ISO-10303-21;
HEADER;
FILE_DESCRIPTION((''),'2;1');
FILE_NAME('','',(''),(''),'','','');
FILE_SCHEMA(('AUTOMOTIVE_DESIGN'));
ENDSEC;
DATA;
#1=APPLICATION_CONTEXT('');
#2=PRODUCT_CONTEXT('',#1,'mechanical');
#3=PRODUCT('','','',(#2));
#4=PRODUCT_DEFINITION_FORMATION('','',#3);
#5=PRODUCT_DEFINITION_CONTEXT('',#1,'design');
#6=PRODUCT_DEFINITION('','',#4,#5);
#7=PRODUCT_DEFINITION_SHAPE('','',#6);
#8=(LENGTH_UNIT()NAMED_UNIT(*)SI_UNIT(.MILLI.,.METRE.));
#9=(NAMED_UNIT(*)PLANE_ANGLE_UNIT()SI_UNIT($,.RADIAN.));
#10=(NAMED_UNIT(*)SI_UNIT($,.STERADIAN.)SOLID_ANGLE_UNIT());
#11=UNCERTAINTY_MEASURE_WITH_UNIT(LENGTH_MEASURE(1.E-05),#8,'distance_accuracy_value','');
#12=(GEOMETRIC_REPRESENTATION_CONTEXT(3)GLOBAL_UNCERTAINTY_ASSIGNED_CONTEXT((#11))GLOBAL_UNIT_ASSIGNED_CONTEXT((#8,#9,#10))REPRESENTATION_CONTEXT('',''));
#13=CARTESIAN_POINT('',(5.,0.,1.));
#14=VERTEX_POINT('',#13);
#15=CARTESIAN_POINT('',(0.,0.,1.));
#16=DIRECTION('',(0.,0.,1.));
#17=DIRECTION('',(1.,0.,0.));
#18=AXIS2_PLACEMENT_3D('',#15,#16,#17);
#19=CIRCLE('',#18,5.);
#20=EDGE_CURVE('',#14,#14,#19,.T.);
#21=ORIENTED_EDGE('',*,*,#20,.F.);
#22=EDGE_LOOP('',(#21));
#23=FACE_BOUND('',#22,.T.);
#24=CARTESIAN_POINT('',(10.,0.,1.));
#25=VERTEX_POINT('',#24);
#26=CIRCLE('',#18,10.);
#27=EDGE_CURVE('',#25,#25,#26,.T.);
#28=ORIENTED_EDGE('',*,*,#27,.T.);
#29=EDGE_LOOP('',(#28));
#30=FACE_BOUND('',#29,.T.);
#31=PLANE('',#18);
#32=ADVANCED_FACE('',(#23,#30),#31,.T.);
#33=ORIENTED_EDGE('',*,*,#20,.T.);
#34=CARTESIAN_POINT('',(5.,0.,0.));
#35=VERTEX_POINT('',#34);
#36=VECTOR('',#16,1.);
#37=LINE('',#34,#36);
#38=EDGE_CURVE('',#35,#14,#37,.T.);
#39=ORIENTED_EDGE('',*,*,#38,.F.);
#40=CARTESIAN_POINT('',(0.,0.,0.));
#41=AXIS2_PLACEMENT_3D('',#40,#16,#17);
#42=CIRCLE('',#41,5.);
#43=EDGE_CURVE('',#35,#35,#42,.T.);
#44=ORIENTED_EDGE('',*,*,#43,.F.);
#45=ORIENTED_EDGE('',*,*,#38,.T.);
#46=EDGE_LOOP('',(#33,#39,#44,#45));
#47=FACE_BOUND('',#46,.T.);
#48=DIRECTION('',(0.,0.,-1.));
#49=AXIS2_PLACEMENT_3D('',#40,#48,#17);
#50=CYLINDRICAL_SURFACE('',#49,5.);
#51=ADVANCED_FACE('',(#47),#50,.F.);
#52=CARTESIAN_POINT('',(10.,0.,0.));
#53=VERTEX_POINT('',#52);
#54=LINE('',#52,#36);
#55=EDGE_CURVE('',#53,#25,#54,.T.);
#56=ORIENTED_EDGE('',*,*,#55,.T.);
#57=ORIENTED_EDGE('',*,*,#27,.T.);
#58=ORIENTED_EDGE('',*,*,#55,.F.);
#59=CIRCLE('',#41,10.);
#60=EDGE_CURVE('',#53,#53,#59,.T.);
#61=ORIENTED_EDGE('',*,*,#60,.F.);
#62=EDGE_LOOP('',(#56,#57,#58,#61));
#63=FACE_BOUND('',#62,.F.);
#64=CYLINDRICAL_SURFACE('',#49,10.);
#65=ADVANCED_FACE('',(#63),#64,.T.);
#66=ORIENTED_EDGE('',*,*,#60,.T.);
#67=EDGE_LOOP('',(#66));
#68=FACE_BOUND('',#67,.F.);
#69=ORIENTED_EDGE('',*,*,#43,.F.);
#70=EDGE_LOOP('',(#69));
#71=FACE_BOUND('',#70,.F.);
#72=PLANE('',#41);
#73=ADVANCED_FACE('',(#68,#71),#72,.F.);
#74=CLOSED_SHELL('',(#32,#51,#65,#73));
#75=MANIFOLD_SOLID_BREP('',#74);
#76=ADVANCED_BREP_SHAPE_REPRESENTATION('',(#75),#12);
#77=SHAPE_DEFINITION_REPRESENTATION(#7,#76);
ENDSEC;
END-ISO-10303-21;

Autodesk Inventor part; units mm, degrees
ref_plane "YZ Plane" through (0, 0, 0) normal (1, 0, 0) x (0, 1, 0)
ref_plane "XZ Plane" through (0, 0, 0) normal (0, 1, 0) x (-1, 0, 0)
ref_plane "XY Plane" through (0, 0, 0) normal (0, 0, 1) x (1, 0, 0)
sketch "Sketch1" plane through (0, 0, 0) normal (0, 0, 1) x (1, 0, 0)
  circle A0 centre (0, 0) radius 5
  circle A1 centre (0, 0) radius 10
  dimension "d0" = 10
  dimension "d1" = 20
extrude "Extrusion1" add sketch "Sketch1" along normal blind 1
properties part number "WasherSpringClutch"
